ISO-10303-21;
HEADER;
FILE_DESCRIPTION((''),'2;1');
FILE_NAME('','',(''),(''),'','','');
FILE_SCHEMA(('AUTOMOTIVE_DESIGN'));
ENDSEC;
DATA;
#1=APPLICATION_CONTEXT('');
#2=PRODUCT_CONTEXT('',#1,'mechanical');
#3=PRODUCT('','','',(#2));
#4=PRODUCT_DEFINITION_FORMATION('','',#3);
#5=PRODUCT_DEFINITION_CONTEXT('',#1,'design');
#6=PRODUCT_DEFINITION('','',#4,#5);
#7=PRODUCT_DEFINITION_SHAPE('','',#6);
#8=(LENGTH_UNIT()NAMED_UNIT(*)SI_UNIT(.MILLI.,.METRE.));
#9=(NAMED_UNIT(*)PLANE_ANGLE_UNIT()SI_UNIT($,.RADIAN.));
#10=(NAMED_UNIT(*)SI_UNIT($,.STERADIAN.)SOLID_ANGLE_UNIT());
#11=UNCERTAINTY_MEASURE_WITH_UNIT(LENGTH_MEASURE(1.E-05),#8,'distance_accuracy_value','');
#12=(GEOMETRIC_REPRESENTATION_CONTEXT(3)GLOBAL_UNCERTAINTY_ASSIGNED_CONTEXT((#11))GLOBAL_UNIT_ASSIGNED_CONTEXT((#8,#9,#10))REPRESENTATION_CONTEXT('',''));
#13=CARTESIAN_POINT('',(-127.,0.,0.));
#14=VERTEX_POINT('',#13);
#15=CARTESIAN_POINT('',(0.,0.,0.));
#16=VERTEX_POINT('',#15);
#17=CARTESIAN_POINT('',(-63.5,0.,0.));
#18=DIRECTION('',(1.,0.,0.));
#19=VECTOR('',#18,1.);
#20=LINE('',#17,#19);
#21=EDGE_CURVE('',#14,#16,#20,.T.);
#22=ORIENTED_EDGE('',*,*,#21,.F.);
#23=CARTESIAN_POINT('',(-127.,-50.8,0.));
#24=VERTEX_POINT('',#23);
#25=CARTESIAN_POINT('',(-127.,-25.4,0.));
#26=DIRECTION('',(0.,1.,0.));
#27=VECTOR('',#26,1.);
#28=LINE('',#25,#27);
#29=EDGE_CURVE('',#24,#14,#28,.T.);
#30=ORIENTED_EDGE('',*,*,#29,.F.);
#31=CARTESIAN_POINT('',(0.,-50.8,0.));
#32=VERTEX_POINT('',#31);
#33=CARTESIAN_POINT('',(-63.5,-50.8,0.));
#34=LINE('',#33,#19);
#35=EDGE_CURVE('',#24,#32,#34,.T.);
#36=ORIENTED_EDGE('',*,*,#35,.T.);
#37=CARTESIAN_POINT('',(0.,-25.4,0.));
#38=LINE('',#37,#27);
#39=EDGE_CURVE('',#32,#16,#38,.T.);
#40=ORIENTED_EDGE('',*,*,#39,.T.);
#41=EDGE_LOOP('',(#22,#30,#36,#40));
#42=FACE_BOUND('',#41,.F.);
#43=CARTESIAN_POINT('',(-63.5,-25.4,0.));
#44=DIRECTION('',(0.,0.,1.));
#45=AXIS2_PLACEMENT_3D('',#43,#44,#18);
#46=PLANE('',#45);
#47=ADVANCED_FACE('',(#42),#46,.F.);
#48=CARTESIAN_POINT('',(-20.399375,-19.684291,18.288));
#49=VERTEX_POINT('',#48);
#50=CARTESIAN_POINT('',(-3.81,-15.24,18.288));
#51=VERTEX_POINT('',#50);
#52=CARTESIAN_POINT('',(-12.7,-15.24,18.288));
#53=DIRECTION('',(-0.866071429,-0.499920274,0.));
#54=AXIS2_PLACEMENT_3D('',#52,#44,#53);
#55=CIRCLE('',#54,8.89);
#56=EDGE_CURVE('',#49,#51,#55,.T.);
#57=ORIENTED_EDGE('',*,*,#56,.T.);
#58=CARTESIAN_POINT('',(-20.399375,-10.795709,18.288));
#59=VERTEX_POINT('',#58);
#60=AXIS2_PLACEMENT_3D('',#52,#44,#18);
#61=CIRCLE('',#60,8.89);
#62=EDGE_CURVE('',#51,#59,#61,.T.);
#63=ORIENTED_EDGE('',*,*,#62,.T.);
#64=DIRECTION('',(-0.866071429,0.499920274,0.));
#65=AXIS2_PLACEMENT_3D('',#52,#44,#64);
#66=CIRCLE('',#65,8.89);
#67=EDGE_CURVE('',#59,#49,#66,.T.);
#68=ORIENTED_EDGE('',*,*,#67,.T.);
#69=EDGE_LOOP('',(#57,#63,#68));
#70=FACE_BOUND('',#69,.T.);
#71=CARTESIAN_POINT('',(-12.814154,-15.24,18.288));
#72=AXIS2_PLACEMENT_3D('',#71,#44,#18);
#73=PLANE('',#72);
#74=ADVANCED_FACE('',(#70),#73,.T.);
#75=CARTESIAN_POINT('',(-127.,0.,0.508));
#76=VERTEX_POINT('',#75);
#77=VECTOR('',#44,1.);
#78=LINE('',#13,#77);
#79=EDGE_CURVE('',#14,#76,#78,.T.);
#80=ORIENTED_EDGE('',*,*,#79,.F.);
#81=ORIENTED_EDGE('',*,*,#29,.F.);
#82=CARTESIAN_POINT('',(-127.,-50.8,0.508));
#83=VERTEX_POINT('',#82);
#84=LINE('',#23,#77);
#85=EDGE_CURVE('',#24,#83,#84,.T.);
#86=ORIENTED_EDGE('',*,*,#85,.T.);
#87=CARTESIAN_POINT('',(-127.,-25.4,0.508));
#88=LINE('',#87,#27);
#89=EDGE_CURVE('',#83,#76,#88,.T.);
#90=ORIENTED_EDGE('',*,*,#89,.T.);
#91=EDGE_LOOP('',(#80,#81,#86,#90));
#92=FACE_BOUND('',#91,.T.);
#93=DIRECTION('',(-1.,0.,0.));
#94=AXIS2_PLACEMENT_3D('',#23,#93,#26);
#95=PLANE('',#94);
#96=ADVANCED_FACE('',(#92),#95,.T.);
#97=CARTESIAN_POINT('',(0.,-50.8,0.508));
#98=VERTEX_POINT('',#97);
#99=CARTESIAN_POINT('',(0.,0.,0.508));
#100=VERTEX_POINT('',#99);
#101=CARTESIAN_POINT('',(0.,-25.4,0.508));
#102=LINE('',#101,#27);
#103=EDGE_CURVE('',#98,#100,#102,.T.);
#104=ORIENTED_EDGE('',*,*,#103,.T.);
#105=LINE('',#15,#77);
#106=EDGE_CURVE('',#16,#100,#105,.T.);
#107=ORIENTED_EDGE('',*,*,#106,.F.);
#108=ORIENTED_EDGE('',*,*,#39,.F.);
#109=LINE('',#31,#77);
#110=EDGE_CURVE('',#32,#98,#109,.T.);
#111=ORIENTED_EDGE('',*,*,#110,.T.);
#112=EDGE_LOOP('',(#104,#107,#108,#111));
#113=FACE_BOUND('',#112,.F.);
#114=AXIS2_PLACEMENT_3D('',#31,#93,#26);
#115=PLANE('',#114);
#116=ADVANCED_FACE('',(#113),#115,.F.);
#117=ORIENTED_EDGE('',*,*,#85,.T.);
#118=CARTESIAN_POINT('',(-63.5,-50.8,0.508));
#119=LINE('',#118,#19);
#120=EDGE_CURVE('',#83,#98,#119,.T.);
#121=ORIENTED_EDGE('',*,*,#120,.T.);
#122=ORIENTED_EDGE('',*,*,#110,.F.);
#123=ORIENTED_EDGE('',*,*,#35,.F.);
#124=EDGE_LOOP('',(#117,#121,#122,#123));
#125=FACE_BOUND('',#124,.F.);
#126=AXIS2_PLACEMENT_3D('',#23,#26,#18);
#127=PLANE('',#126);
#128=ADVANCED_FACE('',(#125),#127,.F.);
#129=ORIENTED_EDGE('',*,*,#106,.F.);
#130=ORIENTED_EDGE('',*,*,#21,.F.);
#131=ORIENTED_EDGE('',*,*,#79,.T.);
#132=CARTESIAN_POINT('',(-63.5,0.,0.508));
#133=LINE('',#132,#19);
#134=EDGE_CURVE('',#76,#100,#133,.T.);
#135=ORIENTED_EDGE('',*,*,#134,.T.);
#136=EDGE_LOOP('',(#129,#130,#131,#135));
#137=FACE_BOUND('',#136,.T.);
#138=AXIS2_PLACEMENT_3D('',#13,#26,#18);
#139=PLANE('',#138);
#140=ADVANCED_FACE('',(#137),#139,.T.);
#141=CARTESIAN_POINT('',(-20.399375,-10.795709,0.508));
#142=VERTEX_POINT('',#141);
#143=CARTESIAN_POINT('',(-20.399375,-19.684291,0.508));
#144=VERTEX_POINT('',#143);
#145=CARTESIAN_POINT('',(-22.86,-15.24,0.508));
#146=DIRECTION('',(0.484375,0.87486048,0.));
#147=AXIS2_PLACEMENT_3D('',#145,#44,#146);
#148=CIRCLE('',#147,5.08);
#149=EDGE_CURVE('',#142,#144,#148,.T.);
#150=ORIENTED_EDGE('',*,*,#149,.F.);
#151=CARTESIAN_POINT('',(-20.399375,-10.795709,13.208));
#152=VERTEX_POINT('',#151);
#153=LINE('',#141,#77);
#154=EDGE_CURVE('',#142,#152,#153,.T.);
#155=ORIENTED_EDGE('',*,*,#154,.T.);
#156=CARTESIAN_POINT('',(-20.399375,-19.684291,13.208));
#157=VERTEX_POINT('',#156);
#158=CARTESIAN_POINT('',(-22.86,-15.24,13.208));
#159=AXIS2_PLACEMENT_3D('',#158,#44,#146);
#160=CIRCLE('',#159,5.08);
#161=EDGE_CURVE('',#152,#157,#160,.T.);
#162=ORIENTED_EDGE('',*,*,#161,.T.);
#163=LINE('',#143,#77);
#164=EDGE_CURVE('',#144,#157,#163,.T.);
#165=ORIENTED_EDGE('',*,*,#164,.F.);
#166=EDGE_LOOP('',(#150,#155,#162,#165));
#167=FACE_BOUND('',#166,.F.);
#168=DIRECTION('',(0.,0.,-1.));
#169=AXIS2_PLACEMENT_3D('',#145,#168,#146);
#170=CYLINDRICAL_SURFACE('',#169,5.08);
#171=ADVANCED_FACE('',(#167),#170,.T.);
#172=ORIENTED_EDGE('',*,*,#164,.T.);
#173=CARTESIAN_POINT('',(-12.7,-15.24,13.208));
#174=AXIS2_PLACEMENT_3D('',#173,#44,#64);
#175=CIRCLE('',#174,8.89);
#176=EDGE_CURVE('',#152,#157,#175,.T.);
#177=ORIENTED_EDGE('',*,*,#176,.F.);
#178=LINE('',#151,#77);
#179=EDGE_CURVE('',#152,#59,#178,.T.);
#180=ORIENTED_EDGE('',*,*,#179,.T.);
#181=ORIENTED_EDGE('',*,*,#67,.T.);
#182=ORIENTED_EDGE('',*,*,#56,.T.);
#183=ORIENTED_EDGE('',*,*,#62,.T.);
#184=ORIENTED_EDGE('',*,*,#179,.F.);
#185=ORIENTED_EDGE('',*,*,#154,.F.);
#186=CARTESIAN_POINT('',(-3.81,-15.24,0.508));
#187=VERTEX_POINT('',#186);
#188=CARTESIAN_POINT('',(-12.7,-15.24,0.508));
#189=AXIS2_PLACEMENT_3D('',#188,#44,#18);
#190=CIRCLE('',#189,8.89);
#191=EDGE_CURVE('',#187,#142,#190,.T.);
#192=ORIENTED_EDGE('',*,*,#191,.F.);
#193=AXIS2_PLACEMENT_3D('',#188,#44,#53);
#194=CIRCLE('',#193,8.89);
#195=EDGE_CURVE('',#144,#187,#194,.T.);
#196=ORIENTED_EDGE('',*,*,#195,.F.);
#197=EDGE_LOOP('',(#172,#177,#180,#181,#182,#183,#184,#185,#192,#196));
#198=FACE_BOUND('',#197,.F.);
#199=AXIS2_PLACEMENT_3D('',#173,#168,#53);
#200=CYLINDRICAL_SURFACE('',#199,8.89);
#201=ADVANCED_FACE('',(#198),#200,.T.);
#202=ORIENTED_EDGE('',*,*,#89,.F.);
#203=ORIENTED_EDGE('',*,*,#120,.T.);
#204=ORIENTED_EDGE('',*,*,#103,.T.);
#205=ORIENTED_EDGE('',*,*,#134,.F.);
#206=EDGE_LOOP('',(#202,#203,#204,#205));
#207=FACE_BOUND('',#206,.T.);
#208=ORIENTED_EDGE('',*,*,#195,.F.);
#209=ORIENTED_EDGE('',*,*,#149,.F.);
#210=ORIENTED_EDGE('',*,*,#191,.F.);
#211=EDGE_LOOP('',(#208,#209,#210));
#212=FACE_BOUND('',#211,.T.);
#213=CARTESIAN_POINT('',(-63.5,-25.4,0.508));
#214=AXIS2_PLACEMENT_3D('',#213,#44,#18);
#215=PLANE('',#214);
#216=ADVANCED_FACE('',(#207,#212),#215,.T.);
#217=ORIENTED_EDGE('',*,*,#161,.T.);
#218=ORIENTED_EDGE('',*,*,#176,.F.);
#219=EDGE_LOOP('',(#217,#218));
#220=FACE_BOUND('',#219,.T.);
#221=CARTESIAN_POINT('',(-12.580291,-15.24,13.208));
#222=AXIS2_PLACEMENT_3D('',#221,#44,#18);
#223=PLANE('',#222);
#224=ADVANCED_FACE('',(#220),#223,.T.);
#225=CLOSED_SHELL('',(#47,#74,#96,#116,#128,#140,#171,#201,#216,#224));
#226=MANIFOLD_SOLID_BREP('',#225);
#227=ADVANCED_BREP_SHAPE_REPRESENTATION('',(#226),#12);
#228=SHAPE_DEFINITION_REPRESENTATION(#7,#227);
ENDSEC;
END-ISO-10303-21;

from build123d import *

# Parameters (mm, degrees)
F0_W     = 127
F0_H     = 50.8
F1_DEPTH = 0.508
F3_DEPTH = 12.7
F5_DEPTH = 5.08


with BuildPart() as f1:
    # F0 (on Top) → F1 (new body)
    with BuildSketch(Plane.XY):
        with Locations((-63.5, -25.4)):
            Rectangle(F0_W, F0_H)
    extrude(amount=F1_DEPTH)

    # F2 (on face) → F3 (join)
    with BuildSketch(Plane.XY.offset(0.508)):
        with BuildLine():
            ThreePointArc((-20.399375, -19.6842912381), (-10.3994939415, -23.8271864935), (-3.81, -15.24))
            ThreePointArc((-3.81, -15.24), (-10.3994939415, -6.6528135065), (-20.399375, -10.7957087619))
            ThreePointArc((-20.399375, -10.7957087619), (-18.4835645212, -12.6606178065), (-17.78, -15.24))
            ThreePointArc((-17.78, -15.24), (-18.4835645212, -17.8193821935), (-20.399375, -19.6842912381))
        make_face()
        with BuildLine():
            ThreePointArc((-17.78, -15.24), (-18.4835645212, -12.6606178065), (-20.399375, -10.7957087619))
            ThreePointArc((-20.399375, -10.7957087619), (-21.59, -15.24), (-20.399375, -19.6842912381))
            ThreePointArc((-20.399375, -19.6842912381), (-18.4835645212, -17.8193821935), (-17.78, -15.24))
        make_face()
        with BuildLine():
            ThreePointArc((-20.399375, -19.6842912381), (-21.59, -15.24), (-20.399375, -10.7957087619))
            ThreePointArc((-20.399375, -10.7957087619), (-27.94, -15.24), (-20.399375, -19.6842912381))
        make_face()
    extrude(amount=F3_DEPTH)

    # F4 (on face) → F5 (join)
    with BuildSketch(Plane.XY.offset(13.208)):
        with BuildLine():
            ThreePointArc((-20.399375, -19.6842912381), (-10.3994939415, -23.8271864935), (-3.81, -15.24))
            ThreePointArc((-3.81, -15.24), (-10.3994939415, -6.6528135065), (-20.399375, -10.7957087619))
            ThreePointArc((-20.399375, -10.7957087619), (-21.59, -15.24), (-20.399375, -19.6842912381))
        make_face()
    extrude(amount=F5_DEPTH)


solid = f1.part
